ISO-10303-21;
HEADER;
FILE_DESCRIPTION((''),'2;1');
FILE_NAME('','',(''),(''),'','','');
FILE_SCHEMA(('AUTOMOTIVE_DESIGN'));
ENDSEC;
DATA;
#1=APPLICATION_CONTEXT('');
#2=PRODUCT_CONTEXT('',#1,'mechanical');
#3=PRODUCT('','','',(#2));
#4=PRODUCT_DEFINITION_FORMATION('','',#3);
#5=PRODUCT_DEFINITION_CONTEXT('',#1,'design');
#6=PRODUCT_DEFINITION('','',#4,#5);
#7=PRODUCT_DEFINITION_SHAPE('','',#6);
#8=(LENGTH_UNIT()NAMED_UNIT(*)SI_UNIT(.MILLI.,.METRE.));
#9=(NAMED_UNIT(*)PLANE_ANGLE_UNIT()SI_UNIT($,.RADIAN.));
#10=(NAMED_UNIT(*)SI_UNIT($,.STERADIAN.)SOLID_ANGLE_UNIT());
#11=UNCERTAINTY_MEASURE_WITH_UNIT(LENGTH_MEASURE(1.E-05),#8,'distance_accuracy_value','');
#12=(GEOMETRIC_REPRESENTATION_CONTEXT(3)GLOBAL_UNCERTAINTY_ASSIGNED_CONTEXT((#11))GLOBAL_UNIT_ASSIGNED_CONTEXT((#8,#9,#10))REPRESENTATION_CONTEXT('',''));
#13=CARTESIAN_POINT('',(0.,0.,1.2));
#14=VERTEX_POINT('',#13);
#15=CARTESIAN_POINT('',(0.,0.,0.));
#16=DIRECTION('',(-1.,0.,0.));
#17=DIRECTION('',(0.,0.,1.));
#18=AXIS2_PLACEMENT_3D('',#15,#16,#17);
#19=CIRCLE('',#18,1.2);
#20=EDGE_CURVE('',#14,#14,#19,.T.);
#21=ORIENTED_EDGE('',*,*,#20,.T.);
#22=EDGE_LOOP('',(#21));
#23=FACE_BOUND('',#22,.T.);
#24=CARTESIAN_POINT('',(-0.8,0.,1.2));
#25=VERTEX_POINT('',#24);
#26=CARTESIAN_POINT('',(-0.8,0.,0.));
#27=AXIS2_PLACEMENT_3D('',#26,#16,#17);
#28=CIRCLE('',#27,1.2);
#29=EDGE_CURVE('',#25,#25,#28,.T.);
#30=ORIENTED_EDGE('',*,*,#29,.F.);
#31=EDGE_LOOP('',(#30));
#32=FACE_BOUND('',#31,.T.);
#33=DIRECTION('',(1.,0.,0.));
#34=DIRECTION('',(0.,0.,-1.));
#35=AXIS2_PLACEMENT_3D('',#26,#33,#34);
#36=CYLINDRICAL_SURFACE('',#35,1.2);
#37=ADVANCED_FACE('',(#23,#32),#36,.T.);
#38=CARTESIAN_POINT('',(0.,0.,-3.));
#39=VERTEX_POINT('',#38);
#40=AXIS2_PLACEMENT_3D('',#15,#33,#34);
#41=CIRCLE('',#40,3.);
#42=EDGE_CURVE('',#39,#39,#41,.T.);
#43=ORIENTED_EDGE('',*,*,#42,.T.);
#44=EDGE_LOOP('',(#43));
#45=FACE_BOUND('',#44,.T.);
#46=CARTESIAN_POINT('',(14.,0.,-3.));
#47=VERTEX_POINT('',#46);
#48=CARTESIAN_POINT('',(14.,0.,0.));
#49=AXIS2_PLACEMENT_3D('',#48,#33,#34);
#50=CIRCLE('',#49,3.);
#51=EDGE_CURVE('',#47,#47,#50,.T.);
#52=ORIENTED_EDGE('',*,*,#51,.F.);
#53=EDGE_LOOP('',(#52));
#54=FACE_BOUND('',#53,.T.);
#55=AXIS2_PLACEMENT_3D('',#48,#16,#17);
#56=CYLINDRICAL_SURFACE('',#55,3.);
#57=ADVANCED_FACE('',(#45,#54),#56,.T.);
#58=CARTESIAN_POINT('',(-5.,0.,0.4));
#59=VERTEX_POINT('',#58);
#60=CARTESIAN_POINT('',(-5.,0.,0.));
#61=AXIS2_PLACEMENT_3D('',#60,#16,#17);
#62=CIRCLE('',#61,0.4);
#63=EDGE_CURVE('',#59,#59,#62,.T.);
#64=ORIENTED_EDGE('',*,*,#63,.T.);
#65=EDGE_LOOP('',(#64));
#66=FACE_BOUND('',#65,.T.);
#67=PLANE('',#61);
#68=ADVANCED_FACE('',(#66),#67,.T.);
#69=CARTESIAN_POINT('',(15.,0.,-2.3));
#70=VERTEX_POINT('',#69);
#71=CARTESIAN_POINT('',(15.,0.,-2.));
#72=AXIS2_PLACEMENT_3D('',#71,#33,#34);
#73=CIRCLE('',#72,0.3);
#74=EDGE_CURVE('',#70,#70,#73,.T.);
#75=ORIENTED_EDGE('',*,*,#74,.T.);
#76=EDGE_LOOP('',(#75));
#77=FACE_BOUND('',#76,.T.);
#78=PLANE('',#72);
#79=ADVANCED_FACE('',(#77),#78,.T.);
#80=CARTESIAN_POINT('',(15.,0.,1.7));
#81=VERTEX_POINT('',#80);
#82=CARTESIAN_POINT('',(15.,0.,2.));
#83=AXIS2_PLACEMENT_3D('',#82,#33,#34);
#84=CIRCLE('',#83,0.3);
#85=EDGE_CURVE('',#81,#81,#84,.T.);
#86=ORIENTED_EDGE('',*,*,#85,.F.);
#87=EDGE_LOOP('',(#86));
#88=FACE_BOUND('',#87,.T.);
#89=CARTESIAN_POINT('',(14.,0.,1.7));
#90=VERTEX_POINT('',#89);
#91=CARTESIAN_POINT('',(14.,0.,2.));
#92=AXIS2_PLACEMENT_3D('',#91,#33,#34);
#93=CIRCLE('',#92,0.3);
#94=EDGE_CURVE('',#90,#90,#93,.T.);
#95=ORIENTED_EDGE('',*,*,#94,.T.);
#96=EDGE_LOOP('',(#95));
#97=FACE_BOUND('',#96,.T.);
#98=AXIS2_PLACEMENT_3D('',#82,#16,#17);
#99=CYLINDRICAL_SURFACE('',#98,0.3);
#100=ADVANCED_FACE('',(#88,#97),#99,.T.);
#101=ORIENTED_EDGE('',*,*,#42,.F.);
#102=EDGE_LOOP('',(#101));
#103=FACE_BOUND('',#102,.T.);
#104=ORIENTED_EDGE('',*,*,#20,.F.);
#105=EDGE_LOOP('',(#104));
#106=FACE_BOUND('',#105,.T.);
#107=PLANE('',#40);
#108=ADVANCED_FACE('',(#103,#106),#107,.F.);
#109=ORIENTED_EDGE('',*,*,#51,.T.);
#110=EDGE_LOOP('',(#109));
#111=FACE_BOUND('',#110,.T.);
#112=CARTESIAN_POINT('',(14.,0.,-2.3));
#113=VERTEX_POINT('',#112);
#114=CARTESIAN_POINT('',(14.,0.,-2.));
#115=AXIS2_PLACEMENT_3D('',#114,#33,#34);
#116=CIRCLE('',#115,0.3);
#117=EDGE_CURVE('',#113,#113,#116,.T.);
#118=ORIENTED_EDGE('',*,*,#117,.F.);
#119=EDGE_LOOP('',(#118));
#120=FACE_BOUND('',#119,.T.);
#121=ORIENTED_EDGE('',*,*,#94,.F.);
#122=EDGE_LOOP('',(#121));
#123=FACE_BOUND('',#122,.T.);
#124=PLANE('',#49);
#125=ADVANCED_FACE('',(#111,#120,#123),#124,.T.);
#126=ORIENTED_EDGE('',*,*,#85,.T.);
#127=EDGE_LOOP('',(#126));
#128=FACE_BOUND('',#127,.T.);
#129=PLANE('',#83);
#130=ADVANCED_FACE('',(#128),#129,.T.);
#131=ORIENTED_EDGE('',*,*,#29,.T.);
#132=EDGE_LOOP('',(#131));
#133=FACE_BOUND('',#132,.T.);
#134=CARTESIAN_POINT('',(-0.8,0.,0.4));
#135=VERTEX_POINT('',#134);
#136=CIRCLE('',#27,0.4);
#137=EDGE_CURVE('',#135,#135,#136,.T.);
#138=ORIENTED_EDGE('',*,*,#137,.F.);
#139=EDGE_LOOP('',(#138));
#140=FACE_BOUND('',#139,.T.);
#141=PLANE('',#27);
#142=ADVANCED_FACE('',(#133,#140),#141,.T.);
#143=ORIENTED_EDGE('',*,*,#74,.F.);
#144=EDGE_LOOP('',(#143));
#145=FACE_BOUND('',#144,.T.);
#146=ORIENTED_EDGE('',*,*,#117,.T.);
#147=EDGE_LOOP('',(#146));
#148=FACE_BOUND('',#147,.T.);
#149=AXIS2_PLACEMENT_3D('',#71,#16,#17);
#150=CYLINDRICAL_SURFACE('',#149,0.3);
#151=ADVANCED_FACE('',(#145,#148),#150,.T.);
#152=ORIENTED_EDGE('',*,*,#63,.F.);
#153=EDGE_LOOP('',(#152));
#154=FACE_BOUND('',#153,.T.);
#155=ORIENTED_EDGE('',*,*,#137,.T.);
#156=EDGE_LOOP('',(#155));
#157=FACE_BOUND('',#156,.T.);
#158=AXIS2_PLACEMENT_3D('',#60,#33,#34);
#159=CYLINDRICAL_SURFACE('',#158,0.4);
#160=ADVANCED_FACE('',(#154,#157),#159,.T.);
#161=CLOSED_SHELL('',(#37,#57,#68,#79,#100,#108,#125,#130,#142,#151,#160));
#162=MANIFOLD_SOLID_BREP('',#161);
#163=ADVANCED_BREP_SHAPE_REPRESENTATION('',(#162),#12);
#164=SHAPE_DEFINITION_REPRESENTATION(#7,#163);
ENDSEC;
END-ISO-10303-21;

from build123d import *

# Parameters (mm, degrees)
SKETCH1_R           = 3
BOSS_EXTRUDE1_DEPTH = 14
SKETCH2_R           = 1.2
BOSS_EXTRUDE2_DEPTH = 0.8
SKETCH3_R           = 0.4
BOSS_EXTRUDE3_DEPTH = 4.2
SKETCH4_R           = 0.3
BOSS_EXTRUDE4_DEPTH = 1


with BuildPart() as part:
    # Sketch1 → Boss-Extrude1 (new body)
    with BuildSketch(Plane(origin=(0, 0, 0), x_dir=(0, 0, -1), z_dir=(1, 0, 0))):
        Circle(SKETCH1_R)
    extrude(amount=BOSS_EXTRUDE1_DEPTH)

    # Sketch2 → Boss-Extrude2 (add)
    with BuildSketch(Plane.ZY):
        Circle(SKETCH2_R)
    extrude(amount=BOSS_EXTRUDE2_DEPTH)

    # Sketch3 → Boss-Extrude3 (add)
    with BuildSketch(Plane.ZY.offset(0.8)):
        Circle(SKETCH3_R)
    extrude(amount=BOSS_EXTRUDE3_DEPTH)

    # Sketch4 → Boss-Extrude4 (add)
    with BuildSketch(Plane(origin=(14, 0, 0), x_dir=(0, 0, -1), z_dir=(1, 0, 0))):
        with Locations((-2, 0)):
            Circle(SKETCH4_R)
        with Locations((2, 0)):
            Circle(SKETCH4_R)
    extrude(amount=BOSS_EXTRUDE4_DEPTH)


solid = part.part
